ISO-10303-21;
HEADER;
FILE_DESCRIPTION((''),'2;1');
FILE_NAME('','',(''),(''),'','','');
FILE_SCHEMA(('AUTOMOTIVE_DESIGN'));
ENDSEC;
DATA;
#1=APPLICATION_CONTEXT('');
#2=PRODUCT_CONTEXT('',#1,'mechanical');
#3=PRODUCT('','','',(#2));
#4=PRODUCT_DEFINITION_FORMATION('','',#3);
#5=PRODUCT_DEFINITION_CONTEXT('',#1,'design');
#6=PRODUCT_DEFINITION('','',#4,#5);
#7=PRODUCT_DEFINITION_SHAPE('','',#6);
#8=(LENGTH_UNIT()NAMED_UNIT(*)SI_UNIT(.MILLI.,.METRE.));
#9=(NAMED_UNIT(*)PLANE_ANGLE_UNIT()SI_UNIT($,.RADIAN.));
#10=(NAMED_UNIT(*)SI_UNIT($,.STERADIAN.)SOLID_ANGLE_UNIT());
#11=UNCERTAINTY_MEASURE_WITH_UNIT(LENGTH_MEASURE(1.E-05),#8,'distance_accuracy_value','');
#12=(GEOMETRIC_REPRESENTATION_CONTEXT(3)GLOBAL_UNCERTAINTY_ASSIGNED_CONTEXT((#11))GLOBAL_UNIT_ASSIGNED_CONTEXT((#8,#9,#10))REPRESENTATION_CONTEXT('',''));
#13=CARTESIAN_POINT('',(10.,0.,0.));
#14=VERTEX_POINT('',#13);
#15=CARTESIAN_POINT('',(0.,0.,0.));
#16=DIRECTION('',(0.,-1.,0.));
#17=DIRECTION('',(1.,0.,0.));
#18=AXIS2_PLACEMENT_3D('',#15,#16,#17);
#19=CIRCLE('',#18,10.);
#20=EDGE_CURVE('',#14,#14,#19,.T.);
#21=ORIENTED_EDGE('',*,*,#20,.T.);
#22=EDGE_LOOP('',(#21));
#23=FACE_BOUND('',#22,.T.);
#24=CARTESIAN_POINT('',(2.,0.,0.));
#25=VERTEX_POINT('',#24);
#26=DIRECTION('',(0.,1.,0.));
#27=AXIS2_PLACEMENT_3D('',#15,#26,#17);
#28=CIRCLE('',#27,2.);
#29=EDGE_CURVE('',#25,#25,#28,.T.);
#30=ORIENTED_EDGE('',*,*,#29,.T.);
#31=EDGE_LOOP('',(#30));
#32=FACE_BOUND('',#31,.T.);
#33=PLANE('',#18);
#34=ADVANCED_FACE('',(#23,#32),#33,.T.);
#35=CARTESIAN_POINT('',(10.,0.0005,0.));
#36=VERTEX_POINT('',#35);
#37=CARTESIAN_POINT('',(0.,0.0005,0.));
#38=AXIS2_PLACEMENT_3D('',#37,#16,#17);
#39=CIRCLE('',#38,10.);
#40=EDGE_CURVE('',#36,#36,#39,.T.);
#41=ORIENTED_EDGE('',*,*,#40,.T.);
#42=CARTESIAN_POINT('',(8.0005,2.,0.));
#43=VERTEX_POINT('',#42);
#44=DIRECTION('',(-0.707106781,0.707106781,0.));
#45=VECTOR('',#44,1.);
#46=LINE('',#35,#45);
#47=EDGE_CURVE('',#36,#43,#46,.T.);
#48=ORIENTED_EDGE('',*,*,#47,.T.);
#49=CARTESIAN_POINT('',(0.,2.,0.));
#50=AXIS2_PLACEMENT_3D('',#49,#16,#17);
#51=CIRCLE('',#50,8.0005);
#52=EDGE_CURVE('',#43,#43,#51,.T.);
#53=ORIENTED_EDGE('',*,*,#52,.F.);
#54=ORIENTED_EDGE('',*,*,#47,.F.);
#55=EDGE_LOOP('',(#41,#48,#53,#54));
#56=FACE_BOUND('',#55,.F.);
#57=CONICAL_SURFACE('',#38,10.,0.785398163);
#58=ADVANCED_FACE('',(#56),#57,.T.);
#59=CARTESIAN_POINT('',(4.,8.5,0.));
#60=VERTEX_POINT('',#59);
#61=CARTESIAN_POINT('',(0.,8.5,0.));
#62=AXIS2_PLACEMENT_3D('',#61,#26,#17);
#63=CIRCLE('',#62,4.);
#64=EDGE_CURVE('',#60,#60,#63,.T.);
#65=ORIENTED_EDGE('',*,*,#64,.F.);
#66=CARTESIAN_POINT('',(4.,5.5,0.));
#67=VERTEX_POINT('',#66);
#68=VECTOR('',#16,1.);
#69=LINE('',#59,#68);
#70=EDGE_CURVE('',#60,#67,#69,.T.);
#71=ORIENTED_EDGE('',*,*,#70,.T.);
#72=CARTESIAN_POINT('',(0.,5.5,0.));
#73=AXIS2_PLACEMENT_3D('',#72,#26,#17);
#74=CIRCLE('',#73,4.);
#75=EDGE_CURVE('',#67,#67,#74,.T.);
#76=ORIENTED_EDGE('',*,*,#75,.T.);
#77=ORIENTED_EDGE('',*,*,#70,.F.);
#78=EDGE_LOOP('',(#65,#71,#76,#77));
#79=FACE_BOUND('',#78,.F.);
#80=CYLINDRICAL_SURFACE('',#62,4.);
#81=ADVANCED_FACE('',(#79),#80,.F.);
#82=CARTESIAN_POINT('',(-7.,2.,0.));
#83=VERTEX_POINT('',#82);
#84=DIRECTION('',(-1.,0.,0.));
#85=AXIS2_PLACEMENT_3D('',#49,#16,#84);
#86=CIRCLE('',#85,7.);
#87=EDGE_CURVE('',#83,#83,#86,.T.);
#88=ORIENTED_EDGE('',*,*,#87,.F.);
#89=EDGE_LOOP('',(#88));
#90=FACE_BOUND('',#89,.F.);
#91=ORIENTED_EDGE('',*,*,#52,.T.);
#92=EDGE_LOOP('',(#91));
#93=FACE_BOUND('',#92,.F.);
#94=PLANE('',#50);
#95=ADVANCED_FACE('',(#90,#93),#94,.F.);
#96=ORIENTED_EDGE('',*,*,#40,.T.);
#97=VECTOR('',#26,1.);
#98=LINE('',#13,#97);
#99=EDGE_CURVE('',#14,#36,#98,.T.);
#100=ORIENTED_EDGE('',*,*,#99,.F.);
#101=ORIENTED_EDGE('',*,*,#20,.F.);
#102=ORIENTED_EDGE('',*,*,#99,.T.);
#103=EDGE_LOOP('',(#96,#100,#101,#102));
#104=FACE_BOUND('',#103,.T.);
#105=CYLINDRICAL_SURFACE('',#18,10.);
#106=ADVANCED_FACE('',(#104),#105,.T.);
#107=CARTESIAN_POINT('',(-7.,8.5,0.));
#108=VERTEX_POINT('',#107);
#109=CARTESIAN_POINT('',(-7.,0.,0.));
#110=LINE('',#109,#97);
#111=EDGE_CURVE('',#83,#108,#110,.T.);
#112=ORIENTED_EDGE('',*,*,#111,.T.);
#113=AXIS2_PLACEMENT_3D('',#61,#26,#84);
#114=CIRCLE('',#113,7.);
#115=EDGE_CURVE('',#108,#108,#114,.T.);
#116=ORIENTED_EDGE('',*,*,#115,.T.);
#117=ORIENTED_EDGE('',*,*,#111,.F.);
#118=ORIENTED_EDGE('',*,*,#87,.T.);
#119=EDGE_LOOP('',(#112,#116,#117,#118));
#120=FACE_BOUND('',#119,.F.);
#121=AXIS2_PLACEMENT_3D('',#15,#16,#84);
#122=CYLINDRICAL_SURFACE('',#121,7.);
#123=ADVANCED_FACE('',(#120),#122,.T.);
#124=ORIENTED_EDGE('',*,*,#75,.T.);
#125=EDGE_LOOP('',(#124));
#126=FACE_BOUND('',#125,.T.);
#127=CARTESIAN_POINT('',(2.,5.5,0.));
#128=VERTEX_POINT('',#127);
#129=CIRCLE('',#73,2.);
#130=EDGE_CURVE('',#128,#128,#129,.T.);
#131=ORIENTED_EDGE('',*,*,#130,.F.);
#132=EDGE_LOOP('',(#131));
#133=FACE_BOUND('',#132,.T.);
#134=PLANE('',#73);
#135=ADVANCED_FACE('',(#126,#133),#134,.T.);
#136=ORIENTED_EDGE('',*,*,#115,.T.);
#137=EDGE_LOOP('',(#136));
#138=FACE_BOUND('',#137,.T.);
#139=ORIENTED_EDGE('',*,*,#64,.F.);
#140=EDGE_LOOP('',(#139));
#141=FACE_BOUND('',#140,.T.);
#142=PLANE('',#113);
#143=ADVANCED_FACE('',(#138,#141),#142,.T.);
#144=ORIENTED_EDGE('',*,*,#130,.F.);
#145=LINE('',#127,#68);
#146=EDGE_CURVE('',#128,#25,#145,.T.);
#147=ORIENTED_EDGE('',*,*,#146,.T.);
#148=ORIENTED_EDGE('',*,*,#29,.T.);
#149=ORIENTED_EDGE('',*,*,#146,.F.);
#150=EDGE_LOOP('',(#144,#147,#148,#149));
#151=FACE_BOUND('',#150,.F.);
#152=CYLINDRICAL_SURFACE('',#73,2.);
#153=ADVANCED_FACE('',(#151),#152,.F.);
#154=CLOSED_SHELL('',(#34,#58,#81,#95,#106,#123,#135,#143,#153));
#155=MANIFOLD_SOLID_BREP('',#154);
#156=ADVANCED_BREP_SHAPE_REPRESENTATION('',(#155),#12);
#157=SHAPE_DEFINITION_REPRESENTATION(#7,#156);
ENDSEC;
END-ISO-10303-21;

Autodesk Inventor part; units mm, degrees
ref_plane "YZ Plane" through (0, 0, 0) normal (1, 0, 0) x (0, 1, 0)
ref_plane "XZ Plane" through (0, 0, 0) normal (0, 1, 0) x (-1, 0, 0)
ref_plane "XY Plane" through (0, 0, 0) normal (0, 0, 1) x (1, 0, 0)
sketch "Sketch1" plane through (0, 0, 0) normal (0, 1, 0) x (-1, 0, 0)
  circle A0 centre (0, 0) radius 7
  dimension "d0" = 14
extrude "Extrusion1" add sketch "Sketch1" along normal blind 8.5
sketch "Sketch2" plane through (0, 8.5, 0) normal (0, 1, 0) x (1, 0, 0)
  circle A0 centre (0, 0) radius 4
  dimension "d3" = 8
extrude "Extrusion2" cut sketch "Sketch2" against normal blind 3
sketch "Sketch3" plane through (0, 5.5, 0) normal (0, 1, 0) x (1, 0, 0)
  circle A0 centre (0, 0) radius 2
  dimension "d6" = 4
extrude "Extrusion3" cut sketch "Sketch3" against normal through all
sketch "Sketch4" plane through (0, 0, 0) normal (0, -1, 0) x (1, 0, 0)
  circle A0 centre (0, 0) radius 2 projected
  circle A1 centre (0, 0) radius 10
  circle A2 centre (0, 0) radius 7
  dimension "d9" = 20
extrude "Extrusion4" add sketch "Sketch4" against normal blind 2 contours A1
chamfer "Chamfer1" distance 2 angle 45 1 edges at (-10, 2, 0)
properties part number "spacer_long"
